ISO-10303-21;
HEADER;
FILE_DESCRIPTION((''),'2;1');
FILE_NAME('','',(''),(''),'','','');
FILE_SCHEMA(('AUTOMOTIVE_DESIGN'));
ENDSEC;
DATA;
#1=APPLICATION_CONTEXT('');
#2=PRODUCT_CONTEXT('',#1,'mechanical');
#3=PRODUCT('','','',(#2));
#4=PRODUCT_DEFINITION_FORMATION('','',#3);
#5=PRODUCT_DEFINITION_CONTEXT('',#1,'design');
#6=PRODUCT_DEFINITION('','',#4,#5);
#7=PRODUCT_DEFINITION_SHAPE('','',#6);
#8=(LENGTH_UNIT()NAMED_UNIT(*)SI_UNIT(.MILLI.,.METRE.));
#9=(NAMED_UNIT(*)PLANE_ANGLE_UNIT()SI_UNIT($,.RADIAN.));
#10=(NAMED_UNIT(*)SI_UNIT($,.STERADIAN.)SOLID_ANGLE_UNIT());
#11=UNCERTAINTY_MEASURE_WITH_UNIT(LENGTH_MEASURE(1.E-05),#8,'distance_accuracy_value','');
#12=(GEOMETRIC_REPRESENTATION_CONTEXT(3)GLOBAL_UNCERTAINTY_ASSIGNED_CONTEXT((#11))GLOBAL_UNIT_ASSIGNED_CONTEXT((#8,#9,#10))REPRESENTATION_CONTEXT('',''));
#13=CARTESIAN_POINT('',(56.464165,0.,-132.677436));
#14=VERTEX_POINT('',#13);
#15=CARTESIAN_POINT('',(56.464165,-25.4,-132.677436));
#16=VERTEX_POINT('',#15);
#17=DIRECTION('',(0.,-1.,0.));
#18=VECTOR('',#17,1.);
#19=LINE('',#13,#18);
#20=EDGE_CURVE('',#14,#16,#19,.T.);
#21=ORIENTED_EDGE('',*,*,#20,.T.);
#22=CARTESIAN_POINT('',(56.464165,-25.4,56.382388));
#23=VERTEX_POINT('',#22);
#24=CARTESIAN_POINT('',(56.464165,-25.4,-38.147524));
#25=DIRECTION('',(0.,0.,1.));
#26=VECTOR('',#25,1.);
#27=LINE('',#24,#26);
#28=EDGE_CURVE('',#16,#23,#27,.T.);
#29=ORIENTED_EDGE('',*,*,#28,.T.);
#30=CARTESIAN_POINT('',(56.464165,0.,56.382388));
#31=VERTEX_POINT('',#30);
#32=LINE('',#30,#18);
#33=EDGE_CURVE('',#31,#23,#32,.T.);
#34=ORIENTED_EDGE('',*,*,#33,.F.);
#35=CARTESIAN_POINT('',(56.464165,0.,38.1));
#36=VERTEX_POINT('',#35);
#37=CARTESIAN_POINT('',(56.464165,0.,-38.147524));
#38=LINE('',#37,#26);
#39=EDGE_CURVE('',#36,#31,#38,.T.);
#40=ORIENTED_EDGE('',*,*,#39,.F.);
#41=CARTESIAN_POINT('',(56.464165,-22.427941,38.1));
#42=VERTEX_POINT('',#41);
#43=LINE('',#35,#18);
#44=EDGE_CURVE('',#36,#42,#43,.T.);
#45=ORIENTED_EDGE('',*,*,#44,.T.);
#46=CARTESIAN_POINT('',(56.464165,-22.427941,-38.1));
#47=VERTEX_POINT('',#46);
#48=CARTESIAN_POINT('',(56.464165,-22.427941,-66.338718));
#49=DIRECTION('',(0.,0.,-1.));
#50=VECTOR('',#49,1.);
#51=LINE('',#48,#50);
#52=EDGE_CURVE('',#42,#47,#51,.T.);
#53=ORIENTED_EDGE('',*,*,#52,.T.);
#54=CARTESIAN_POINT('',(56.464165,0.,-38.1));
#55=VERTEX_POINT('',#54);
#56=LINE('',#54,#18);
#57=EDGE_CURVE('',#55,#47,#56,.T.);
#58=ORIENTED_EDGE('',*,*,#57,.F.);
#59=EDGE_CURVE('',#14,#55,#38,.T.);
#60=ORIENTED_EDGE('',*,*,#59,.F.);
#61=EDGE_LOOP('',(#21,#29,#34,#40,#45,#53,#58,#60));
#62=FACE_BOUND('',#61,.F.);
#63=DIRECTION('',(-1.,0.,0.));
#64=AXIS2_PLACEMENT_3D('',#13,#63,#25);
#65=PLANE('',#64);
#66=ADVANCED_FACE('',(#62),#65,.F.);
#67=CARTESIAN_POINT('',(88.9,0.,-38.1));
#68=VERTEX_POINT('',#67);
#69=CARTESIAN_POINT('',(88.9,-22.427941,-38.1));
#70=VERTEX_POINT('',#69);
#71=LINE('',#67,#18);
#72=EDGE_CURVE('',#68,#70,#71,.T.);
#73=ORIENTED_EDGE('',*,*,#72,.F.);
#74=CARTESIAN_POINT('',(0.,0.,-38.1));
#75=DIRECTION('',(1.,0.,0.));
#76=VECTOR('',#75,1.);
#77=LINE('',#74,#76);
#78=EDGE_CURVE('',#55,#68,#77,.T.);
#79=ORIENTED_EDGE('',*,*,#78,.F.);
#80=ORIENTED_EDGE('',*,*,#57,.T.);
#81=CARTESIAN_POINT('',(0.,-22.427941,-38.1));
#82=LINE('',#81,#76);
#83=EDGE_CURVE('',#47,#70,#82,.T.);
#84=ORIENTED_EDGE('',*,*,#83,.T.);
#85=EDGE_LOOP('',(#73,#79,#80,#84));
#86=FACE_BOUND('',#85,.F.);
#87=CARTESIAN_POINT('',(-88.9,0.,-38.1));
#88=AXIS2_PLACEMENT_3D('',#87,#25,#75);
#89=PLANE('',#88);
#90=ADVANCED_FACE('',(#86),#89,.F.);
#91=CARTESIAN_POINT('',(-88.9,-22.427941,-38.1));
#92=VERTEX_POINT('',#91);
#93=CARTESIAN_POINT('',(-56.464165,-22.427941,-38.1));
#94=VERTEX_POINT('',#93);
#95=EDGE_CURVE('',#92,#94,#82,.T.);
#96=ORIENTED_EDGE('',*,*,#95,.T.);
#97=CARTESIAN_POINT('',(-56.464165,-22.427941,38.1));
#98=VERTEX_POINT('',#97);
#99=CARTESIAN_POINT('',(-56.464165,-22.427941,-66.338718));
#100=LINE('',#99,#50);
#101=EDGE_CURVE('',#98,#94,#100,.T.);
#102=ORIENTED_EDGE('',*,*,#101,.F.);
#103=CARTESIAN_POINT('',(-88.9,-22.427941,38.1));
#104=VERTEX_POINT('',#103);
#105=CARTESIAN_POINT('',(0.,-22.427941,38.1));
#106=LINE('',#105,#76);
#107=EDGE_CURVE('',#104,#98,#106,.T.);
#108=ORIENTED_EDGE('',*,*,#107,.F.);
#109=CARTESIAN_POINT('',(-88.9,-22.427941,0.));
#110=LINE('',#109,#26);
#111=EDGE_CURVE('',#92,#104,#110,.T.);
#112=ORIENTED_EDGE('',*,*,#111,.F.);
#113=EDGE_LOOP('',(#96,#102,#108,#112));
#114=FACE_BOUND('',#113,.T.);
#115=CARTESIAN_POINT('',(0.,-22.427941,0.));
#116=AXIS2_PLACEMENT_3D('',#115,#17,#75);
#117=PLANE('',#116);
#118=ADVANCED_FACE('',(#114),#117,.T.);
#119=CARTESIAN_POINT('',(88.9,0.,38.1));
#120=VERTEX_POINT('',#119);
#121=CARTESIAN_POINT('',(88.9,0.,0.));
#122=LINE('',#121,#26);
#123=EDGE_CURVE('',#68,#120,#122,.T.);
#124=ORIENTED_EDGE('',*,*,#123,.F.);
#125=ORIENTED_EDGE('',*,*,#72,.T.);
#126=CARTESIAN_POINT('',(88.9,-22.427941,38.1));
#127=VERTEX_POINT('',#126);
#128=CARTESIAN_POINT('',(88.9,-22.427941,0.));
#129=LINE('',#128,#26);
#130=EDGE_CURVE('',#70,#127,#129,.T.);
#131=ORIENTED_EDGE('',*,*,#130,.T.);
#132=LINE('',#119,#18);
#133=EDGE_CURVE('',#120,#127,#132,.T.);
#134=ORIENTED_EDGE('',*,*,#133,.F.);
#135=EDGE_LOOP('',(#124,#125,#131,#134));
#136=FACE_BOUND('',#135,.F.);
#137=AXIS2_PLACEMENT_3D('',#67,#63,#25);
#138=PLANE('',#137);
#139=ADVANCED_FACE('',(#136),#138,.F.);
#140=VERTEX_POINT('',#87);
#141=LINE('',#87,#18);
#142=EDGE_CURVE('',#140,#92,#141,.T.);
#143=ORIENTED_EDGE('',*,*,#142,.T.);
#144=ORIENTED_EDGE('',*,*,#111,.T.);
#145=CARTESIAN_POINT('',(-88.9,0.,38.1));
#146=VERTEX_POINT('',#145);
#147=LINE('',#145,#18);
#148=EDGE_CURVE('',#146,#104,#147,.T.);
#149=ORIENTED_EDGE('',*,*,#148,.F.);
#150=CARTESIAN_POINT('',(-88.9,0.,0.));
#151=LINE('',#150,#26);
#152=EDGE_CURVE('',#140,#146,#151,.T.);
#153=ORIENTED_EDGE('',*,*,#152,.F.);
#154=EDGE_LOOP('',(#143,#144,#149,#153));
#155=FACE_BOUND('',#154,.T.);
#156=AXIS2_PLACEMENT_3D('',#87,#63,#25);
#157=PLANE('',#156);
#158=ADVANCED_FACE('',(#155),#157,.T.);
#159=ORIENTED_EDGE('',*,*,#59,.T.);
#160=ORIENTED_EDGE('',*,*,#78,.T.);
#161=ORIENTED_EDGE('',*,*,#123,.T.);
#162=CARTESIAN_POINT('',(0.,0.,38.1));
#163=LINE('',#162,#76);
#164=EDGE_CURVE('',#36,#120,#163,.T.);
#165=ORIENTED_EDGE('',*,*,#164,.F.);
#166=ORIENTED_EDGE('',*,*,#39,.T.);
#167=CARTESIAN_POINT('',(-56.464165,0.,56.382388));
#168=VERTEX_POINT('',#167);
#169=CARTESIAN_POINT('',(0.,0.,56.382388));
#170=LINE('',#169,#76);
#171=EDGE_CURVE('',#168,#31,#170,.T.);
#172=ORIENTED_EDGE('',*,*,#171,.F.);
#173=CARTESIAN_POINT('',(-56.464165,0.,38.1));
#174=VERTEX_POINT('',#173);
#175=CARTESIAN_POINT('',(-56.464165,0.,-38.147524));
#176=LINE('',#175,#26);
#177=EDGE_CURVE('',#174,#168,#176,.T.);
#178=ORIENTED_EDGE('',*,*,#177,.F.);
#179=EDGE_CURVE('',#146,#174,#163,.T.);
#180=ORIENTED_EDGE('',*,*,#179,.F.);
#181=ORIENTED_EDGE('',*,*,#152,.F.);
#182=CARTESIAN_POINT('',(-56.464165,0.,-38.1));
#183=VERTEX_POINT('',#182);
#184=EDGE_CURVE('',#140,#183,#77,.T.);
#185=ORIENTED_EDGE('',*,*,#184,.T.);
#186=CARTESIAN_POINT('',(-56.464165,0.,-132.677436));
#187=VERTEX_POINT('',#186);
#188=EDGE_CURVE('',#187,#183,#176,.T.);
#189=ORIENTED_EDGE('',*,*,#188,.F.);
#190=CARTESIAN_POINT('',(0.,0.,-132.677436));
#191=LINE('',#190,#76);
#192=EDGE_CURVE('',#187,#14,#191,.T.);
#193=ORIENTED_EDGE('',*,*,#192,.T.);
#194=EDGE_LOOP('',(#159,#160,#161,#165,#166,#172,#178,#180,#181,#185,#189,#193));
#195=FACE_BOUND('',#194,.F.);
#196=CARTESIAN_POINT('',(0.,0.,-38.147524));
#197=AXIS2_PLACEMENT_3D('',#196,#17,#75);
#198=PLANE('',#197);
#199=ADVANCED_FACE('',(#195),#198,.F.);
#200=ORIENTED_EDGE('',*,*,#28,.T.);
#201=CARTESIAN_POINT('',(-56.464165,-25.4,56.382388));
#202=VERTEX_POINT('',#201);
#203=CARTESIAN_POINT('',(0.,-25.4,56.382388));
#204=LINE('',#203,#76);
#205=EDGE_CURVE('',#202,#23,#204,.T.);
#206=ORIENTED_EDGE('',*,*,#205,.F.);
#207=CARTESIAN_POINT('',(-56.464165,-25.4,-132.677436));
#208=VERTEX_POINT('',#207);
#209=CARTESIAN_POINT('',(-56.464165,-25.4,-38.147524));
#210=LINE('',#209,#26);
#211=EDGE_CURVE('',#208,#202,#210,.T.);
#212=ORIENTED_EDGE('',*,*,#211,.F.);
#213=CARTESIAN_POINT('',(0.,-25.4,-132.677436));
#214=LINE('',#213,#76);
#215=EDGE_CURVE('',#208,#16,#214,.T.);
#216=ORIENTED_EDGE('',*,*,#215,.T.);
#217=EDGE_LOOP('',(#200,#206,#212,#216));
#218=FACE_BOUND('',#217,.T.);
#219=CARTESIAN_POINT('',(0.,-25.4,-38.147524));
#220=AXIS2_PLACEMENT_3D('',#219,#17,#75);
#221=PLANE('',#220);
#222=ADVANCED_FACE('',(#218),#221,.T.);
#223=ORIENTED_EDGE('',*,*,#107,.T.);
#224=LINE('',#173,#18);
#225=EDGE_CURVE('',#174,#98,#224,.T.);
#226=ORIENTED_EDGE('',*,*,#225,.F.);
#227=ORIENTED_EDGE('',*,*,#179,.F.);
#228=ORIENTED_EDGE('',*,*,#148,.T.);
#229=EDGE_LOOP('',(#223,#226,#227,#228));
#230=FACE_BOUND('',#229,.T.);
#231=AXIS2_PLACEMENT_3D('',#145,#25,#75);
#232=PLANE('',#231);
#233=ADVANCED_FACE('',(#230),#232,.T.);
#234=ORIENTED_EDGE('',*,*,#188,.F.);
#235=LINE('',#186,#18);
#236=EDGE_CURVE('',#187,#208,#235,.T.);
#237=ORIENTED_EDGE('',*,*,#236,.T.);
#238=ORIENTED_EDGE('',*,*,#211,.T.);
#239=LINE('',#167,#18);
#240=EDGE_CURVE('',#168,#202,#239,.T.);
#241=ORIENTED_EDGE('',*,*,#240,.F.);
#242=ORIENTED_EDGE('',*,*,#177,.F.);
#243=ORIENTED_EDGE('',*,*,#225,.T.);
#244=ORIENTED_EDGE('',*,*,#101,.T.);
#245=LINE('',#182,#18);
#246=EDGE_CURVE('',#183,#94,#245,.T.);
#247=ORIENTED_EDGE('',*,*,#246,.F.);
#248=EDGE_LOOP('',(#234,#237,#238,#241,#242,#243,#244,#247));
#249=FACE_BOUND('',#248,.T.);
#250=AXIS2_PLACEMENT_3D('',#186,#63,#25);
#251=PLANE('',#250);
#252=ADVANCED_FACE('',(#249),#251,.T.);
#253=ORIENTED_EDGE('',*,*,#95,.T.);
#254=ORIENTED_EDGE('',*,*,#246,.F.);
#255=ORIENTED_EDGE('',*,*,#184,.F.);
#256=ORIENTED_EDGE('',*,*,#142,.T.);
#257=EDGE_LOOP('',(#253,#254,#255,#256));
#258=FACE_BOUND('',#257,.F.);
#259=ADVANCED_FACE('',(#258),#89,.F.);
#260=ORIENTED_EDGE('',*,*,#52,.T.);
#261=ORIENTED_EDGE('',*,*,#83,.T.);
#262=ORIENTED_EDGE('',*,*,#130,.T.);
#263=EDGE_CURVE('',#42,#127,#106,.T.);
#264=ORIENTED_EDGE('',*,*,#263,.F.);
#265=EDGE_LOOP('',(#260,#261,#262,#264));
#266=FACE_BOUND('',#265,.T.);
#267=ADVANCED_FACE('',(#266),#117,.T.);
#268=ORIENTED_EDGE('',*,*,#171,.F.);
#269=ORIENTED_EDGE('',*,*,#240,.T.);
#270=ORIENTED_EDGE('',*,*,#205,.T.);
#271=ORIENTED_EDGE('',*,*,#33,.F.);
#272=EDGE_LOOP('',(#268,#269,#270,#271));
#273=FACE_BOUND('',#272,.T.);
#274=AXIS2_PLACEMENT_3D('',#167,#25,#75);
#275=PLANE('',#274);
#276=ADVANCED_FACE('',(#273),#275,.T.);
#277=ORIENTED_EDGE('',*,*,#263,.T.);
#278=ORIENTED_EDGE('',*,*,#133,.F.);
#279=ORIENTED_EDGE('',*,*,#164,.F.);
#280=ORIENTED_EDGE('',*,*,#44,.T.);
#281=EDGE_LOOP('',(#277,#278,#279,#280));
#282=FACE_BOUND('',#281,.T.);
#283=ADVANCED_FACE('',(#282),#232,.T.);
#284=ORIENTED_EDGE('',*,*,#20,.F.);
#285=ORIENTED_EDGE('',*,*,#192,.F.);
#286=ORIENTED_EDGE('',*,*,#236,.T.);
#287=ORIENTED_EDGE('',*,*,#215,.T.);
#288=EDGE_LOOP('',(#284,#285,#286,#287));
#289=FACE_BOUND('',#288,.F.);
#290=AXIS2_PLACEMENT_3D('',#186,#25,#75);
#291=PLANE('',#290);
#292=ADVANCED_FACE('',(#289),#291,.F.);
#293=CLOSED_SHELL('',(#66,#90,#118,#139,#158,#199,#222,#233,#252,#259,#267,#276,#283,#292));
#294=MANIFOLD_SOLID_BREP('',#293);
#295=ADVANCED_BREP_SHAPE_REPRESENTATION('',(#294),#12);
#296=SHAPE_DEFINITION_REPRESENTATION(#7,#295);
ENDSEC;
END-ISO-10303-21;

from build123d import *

# Parameters (mm, degrees)
F0_W     = 177.8
F0_H     = 76.2
F1_DEPTH = 22.427941
F2_W     = 112.92833
F2_H     = 189.059824
F3_DEPTH = 25.4


with BuildPart() as f1:
    # F0 (on Front) → F1 (new body)
    with BuildSketch(Plane.XZ):
        Rectangle(F0_W, F0_H)
    extrude(amount=F1_DEPTH)

    # F2 (on Front) → F3 (join)
    with BuildSketch(Plane.XZ):
        with Locations((0, -38.147524)):
            Rectangle(F2_W, F2_H)
    extrude(amount=F3_DEPTH)


solid = f1.part
